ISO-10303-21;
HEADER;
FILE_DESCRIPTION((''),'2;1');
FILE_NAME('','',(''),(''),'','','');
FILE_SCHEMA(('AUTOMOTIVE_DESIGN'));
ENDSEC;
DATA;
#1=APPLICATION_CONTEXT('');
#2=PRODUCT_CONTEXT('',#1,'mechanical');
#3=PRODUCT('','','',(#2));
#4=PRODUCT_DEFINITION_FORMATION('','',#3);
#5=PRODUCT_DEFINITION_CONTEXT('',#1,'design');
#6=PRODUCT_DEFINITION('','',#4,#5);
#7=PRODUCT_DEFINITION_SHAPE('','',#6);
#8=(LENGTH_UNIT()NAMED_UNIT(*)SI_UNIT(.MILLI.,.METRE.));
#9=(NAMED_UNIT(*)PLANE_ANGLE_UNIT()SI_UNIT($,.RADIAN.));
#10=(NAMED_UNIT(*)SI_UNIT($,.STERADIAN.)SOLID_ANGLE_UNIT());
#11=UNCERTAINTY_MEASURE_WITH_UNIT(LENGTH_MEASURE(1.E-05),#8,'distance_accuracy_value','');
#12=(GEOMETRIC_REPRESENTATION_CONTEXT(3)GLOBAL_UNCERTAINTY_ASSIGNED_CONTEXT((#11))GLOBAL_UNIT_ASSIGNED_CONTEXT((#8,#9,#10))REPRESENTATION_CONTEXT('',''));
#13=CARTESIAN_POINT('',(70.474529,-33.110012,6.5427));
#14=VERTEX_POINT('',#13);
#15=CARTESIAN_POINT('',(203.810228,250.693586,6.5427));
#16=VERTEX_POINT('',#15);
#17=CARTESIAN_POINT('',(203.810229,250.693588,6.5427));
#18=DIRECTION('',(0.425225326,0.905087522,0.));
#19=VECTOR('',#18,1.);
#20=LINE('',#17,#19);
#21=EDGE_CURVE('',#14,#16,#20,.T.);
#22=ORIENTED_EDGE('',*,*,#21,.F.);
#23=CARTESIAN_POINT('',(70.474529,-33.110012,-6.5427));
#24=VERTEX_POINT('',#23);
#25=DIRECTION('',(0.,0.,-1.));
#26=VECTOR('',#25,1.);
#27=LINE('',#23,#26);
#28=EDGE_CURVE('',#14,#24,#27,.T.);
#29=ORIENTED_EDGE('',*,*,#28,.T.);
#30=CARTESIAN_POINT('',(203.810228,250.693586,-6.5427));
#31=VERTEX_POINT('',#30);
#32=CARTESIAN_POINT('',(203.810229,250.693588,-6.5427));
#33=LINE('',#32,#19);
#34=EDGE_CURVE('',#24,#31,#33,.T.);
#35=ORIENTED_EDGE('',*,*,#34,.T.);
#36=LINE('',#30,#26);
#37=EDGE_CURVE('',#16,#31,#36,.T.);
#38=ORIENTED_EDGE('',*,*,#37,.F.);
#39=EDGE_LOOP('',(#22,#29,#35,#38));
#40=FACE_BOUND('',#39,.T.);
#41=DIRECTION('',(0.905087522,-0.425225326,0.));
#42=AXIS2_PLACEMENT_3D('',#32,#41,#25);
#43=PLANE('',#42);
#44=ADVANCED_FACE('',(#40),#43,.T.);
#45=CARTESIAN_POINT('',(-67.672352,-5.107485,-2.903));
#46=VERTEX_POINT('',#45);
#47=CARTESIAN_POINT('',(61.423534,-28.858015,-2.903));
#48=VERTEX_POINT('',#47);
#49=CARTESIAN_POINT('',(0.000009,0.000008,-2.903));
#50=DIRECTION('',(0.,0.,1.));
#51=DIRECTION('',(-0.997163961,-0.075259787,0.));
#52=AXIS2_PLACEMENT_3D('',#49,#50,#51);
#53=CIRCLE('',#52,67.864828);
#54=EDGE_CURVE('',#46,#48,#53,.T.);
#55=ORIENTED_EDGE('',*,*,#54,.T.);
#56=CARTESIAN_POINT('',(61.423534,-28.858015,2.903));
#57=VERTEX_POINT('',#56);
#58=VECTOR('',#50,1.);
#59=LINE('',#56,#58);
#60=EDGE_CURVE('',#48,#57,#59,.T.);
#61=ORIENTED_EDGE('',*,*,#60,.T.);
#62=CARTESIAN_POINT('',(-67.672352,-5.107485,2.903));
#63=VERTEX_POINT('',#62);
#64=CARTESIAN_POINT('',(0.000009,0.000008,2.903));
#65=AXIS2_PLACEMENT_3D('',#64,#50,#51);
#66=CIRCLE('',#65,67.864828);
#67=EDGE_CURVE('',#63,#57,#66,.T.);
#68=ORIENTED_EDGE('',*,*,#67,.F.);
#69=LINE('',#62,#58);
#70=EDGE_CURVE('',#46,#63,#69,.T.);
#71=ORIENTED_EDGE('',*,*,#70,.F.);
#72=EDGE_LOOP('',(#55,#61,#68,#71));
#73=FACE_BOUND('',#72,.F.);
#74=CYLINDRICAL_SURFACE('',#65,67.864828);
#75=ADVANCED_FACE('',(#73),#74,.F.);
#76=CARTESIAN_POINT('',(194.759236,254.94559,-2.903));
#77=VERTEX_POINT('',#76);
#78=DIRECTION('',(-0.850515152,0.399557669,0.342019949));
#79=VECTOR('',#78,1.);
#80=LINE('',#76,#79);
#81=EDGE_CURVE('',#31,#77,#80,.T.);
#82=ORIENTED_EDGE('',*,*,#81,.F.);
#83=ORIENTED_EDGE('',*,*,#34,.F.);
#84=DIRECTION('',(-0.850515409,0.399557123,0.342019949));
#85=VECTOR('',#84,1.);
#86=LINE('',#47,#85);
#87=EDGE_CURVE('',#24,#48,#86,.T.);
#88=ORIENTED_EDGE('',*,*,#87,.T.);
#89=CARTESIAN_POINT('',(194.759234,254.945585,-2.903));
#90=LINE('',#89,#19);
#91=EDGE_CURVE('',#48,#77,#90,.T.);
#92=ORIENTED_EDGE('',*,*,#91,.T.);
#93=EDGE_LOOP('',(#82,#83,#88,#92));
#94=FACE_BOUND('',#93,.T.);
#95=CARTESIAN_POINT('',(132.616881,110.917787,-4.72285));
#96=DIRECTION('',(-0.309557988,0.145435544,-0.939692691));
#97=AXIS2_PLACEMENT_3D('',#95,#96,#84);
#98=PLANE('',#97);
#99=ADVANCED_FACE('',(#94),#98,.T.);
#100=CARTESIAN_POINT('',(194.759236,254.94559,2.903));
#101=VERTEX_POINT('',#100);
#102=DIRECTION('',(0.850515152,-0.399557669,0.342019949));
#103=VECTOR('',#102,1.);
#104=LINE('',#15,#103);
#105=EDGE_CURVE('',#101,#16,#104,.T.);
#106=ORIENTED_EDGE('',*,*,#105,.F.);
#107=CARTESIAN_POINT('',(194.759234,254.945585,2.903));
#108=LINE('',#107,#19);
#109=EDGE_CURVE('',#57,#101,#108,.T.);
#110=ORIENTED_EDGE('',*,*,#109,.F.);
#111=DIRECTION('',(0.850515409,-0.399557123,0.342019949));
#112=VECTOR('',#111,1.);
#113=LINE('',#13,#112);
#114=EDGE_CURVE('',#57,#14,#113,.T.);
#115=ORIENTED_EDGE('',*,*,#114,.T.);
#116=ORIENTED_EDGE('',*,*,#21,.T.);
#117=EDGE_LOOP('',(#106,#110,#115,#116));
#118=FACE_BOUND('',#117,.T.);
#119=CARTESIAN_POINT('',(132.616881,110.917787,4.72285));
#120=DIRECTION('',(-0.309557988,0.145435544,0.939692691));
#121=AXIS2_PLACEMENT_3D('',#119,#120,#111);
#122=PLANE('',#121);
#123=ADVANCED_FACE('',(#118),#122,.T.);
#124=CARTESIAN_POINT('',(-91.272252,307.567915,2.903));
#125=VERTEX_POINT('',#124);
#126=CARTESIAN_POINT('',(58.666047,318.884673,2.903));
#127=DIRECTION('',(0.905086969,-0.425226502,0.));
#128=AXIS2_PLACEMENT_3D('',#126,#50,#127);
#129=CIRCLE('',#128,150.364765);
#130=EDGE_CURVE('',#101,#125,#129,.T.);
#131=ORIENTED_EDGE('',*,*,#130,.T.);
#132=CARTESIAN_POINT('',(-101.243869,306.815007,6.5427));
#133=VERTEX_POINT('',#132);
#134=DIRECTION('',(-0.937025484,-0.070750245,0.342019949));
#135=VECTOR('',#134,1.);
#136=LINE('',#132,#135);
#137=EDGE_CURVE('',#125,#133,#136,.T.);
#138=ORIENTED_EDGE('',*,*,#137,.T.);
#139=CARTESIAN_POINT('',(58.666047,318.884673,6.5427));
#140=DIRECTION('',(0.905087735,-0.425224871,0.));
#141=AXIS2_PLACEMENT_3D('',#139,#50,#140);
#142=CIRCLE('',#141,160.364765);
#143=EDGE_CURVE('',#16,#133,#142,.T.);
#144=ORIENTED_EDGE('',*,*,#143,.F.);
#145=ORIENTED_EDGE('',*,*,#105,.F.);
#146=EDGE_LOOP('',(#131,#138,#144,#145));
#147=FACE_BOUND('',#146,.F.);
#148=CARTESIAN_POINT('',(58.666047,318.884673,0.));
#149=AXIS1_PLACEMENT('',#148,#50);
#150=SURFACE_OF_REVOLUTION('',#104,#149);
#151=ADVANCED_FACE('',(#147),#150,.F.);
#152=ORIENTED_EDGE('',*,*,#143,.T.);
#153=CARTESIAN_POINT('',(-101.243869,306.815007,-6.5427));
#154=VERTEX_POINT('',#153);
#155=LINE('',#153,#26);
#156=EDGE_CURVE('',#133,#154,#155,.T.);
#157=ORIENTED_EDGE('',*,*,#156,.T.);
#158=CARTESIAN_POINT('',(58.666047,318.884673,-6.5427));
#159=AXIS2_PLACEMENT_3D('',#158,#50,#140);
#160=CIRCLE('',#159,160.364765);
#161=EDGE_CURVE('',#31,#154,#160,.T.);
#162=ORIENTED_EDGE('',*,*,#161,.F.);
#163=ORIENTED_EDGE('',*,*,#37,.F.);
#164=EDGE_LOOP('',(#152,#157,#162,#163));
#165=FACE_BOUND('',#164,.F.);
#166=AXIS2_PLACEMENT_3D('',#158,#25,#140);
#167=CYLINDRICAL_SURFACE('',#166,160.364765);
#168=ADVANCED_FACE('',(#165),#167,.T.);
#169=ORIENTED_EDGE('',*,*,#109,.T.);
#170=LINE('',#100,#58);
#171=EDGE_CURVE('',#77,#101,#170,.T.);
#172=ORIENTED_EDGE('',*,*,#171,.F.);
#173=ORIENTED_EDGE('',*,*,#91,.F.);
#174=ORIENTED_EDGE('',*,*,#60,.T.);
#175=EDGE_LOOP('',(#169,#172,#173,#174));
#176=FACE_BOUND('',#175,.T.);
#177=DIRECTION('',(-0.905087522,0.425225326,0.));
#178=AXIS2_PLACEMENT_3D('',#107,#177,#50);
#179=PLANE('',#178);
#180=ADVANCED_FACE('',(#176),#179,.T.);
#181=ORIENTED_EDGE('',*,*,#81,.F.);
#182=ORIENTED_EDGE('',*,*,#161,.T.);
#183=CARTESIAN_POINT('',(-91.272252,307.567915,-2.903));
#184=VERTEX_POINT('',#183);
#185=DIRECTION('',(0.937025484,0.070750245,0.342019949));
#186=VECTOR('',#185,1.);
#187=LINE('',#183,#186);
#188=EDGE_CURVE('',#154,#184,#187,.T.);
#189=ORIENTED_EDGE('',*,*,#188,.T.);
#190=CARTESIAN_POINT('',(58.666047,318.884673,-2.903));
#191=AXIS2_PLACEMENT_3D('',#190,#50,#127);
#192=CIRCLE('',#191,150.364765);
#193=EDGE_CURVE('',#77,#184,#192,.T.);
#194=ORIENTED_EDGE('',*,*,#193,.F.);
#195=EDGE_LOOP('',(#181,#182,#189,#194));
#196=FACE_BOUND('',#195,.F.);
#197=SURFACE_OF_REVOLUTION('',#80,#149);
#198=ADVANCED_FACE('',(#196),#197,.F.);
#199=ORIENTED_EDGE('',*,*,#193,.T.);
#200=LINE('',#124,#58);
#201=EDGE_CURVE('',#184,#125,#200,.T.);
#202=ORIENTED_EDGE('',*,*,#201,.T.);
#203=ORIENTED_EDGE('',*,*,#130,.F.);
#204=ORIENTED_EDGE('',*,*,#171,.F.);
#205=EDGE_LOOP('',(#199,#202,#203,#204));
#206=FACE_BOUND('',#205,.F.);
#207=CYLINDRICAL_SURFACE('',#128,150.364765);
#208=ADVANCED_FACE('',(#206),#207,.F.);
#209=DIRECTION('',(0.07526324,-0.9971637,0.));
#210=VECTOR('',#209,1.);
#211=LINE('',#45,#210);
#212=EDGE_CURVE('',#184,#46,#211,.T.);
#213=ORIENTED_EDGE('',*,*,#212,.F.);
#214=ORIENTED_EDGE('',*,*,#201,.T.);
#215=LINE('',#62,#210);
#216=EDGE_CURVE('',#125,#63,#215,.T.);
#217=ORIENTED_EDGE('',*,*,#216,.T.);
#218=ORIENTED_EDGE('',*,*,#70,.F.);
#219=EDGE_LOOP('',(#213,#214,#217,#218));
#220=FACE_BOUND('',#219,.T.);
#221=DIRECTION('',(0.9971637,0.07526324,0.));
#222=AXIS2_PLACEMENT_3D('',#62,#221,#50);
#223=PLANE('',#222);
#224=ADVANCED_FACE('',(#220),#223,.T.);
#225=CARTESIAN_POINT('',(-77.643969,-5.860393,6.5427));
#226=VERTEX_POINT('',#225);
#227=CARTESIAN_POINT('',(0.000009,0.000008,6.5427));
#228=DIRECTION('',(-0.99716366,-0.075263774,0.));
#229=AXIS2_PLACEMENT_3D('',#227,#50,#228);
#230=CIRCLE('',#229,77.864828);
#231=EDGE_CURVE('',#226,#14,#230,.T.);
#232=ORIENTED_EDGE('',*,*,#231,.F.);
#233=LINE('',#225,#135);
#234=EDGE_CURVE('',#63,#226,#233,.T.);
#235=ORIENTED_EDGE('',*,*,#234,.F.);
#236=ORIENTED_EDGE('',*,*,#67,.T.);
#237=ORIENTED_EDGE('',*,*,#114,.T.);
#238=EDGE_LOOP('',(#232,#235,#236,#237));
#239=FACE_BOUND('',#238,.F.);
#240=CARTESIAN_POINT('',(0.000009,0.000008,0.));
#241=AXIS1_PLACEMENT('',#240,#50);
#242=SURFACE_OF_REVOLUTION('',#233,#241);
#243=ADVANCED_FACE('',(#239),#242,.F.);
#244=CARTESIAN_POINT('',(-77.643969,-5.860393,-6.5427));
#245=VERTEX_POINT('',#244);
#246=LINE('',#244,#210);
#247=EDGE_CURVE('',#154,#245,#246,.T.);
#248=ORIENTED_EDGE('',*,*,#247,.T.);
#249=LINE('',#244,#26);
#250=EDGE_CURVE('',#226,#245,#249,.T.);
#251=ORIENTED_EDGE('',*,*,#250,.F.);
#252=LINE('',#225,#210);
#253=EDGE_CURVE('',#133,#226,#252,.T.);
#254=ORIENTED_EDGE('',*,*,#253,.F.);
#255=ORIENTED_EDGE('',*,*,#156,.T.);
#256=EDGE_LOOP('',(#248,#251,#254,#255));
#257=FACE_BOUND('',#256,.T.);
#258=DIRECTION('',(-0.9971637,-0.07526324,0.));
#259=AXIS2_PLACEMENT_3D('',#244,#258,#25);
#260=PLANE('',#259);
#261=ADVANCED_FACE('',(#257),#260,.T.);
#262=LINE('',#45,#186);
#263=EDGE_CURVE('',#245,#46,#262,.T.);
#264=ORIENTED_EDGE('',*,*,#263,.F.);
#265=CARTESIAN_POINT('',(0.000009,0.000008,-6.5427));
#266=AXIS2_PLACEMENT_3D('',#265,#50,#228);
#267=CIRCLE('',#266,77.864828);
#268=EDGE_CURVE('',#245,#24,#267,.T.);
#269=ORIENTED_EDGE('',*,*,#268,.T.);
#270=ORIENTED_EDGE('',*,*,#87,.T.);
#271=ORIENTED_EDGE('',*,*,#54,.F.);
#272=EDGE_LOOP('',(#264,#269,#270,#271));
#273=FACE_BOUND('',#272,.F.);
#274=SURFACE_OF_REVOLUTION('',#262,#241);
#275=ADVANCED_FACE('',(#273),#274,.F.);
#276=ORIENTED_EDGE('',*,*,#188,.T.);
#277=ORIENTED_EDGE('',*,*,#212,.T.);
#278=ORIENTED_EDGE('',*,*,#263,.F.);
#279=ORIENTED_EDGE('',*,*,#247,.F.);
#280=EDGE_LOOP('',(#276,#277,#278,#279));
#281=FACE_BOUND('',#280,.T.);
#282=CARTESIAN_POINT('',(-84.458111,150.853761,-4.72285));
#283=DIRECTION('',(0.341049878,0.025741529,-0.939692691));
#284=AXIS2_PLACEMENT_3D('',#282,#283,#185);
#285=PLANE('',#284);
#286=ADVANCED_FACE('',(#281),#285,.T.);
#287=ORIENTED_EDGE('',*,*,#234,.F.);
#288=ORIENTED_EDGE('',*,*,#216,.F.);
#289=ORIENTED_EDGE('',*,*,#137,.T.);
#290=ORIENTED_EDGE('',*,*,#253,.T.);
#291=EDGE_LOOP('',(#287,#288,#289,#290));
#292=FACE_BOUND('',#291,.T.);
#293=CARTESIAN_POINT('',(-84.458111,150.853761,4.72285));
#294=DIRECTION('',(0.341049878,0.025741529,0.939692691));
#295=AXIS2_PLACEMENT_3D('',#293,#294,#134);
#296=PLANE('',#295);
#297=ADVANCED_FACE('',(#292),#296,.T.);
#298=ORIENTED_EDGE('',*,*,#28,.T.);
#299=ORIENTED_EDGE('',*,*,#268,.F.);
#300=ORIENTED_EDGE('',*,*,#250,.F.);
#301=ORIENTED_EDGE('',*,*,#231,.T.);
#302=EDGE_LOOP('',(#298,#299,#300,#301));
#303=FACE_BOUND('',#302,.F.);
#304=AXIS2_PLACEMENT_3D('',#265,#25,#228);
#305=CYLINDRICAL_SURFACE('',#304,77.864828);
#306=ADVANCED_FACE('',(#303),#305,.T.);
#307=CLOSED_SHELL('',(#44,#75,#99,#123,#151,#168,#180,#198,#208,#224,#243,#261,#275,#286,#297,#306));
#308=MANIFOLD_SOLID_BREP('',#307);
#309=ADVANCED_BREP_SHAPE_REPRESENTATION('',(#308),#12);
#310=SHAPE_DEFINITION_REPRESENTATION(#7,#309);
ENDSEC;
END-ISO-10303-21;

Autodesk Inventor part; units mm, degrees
ref_plane "YZ Plane" through (0, 0, 0) normal (1, 0, 0) x (0, 1, 0)
ref_plane "XZ Plane" through (0, 0, 0) normal (0, 1, 0) x (-1, 0, 0)
sketch "Trayectoria de boceto" plane through (0, 0, 0) normal (0, 0, 1) x (1, 0, 0)
  arc A0 (-74.7873, -5.6447) -> (67.8816, -31.8919) centre (0, 0) ccw
  arc A1 (201.2173, 251.9117) -> (-98.3872, 307.0307) centre (58.6661, 318.8847) ccw
  line L0 (201.2173, 251.9117) -> (67.8816, -31.8919)
  line L1 (-74.7873, -5.6447) -> (-98.3872, 307.0307)
ref_plane "Plano de sección transversal" through (67.8816, -31.8919, 0) normal (0.4252, 0.9051, 0) x (0, 0, 1)
sketch "Sección transversal" plane through (67.8816, -31.8919, 0) normal (0.4252, 0.9051, 0) x (0, 0, 1)
  line L0 (0, 2.8648) -> (0, -7.1352) construction
  line L1 (-5.5, 0) -> (5.5, 0) construction
  line L2 (-6.5427, 2.8648) -> (6.5427, 2.8648)
  line L3 (6.5427, 2.8648) -> (2.903, -7.1352)
  line L4 (2.903, -7.1352) -> (-2.903, -7.1352)
  line L5 (-2.903, -7.1352) -> (-6.5427, 2.8648)
  point P0 (0, 0)
  point P1 (0, 0)
  point P2 (0, 0)
  dimension "d0" = 11
  dimension "d1" = 2.8648
  dimension "d2" = 40
  dimension "d3" = 10
sweep "Correa" add profiles "Sección transversal" path "Trayectoria de boceto"
equation "\"d0\" = da_Bw"
equation "\"d1\" = da_Hw"
equation "\"d2\" = da_Alfa"
equation "\"d3\" = da_H"
equation "\"da_Alfa\" = 40deg"
equation "\"da_H\" = 10"
equation "\"da_Bw\" = 11"
equation "\"da_Hw\" = 2.86479"
properties part number "Correa trapezoidal" material "Rubber"
